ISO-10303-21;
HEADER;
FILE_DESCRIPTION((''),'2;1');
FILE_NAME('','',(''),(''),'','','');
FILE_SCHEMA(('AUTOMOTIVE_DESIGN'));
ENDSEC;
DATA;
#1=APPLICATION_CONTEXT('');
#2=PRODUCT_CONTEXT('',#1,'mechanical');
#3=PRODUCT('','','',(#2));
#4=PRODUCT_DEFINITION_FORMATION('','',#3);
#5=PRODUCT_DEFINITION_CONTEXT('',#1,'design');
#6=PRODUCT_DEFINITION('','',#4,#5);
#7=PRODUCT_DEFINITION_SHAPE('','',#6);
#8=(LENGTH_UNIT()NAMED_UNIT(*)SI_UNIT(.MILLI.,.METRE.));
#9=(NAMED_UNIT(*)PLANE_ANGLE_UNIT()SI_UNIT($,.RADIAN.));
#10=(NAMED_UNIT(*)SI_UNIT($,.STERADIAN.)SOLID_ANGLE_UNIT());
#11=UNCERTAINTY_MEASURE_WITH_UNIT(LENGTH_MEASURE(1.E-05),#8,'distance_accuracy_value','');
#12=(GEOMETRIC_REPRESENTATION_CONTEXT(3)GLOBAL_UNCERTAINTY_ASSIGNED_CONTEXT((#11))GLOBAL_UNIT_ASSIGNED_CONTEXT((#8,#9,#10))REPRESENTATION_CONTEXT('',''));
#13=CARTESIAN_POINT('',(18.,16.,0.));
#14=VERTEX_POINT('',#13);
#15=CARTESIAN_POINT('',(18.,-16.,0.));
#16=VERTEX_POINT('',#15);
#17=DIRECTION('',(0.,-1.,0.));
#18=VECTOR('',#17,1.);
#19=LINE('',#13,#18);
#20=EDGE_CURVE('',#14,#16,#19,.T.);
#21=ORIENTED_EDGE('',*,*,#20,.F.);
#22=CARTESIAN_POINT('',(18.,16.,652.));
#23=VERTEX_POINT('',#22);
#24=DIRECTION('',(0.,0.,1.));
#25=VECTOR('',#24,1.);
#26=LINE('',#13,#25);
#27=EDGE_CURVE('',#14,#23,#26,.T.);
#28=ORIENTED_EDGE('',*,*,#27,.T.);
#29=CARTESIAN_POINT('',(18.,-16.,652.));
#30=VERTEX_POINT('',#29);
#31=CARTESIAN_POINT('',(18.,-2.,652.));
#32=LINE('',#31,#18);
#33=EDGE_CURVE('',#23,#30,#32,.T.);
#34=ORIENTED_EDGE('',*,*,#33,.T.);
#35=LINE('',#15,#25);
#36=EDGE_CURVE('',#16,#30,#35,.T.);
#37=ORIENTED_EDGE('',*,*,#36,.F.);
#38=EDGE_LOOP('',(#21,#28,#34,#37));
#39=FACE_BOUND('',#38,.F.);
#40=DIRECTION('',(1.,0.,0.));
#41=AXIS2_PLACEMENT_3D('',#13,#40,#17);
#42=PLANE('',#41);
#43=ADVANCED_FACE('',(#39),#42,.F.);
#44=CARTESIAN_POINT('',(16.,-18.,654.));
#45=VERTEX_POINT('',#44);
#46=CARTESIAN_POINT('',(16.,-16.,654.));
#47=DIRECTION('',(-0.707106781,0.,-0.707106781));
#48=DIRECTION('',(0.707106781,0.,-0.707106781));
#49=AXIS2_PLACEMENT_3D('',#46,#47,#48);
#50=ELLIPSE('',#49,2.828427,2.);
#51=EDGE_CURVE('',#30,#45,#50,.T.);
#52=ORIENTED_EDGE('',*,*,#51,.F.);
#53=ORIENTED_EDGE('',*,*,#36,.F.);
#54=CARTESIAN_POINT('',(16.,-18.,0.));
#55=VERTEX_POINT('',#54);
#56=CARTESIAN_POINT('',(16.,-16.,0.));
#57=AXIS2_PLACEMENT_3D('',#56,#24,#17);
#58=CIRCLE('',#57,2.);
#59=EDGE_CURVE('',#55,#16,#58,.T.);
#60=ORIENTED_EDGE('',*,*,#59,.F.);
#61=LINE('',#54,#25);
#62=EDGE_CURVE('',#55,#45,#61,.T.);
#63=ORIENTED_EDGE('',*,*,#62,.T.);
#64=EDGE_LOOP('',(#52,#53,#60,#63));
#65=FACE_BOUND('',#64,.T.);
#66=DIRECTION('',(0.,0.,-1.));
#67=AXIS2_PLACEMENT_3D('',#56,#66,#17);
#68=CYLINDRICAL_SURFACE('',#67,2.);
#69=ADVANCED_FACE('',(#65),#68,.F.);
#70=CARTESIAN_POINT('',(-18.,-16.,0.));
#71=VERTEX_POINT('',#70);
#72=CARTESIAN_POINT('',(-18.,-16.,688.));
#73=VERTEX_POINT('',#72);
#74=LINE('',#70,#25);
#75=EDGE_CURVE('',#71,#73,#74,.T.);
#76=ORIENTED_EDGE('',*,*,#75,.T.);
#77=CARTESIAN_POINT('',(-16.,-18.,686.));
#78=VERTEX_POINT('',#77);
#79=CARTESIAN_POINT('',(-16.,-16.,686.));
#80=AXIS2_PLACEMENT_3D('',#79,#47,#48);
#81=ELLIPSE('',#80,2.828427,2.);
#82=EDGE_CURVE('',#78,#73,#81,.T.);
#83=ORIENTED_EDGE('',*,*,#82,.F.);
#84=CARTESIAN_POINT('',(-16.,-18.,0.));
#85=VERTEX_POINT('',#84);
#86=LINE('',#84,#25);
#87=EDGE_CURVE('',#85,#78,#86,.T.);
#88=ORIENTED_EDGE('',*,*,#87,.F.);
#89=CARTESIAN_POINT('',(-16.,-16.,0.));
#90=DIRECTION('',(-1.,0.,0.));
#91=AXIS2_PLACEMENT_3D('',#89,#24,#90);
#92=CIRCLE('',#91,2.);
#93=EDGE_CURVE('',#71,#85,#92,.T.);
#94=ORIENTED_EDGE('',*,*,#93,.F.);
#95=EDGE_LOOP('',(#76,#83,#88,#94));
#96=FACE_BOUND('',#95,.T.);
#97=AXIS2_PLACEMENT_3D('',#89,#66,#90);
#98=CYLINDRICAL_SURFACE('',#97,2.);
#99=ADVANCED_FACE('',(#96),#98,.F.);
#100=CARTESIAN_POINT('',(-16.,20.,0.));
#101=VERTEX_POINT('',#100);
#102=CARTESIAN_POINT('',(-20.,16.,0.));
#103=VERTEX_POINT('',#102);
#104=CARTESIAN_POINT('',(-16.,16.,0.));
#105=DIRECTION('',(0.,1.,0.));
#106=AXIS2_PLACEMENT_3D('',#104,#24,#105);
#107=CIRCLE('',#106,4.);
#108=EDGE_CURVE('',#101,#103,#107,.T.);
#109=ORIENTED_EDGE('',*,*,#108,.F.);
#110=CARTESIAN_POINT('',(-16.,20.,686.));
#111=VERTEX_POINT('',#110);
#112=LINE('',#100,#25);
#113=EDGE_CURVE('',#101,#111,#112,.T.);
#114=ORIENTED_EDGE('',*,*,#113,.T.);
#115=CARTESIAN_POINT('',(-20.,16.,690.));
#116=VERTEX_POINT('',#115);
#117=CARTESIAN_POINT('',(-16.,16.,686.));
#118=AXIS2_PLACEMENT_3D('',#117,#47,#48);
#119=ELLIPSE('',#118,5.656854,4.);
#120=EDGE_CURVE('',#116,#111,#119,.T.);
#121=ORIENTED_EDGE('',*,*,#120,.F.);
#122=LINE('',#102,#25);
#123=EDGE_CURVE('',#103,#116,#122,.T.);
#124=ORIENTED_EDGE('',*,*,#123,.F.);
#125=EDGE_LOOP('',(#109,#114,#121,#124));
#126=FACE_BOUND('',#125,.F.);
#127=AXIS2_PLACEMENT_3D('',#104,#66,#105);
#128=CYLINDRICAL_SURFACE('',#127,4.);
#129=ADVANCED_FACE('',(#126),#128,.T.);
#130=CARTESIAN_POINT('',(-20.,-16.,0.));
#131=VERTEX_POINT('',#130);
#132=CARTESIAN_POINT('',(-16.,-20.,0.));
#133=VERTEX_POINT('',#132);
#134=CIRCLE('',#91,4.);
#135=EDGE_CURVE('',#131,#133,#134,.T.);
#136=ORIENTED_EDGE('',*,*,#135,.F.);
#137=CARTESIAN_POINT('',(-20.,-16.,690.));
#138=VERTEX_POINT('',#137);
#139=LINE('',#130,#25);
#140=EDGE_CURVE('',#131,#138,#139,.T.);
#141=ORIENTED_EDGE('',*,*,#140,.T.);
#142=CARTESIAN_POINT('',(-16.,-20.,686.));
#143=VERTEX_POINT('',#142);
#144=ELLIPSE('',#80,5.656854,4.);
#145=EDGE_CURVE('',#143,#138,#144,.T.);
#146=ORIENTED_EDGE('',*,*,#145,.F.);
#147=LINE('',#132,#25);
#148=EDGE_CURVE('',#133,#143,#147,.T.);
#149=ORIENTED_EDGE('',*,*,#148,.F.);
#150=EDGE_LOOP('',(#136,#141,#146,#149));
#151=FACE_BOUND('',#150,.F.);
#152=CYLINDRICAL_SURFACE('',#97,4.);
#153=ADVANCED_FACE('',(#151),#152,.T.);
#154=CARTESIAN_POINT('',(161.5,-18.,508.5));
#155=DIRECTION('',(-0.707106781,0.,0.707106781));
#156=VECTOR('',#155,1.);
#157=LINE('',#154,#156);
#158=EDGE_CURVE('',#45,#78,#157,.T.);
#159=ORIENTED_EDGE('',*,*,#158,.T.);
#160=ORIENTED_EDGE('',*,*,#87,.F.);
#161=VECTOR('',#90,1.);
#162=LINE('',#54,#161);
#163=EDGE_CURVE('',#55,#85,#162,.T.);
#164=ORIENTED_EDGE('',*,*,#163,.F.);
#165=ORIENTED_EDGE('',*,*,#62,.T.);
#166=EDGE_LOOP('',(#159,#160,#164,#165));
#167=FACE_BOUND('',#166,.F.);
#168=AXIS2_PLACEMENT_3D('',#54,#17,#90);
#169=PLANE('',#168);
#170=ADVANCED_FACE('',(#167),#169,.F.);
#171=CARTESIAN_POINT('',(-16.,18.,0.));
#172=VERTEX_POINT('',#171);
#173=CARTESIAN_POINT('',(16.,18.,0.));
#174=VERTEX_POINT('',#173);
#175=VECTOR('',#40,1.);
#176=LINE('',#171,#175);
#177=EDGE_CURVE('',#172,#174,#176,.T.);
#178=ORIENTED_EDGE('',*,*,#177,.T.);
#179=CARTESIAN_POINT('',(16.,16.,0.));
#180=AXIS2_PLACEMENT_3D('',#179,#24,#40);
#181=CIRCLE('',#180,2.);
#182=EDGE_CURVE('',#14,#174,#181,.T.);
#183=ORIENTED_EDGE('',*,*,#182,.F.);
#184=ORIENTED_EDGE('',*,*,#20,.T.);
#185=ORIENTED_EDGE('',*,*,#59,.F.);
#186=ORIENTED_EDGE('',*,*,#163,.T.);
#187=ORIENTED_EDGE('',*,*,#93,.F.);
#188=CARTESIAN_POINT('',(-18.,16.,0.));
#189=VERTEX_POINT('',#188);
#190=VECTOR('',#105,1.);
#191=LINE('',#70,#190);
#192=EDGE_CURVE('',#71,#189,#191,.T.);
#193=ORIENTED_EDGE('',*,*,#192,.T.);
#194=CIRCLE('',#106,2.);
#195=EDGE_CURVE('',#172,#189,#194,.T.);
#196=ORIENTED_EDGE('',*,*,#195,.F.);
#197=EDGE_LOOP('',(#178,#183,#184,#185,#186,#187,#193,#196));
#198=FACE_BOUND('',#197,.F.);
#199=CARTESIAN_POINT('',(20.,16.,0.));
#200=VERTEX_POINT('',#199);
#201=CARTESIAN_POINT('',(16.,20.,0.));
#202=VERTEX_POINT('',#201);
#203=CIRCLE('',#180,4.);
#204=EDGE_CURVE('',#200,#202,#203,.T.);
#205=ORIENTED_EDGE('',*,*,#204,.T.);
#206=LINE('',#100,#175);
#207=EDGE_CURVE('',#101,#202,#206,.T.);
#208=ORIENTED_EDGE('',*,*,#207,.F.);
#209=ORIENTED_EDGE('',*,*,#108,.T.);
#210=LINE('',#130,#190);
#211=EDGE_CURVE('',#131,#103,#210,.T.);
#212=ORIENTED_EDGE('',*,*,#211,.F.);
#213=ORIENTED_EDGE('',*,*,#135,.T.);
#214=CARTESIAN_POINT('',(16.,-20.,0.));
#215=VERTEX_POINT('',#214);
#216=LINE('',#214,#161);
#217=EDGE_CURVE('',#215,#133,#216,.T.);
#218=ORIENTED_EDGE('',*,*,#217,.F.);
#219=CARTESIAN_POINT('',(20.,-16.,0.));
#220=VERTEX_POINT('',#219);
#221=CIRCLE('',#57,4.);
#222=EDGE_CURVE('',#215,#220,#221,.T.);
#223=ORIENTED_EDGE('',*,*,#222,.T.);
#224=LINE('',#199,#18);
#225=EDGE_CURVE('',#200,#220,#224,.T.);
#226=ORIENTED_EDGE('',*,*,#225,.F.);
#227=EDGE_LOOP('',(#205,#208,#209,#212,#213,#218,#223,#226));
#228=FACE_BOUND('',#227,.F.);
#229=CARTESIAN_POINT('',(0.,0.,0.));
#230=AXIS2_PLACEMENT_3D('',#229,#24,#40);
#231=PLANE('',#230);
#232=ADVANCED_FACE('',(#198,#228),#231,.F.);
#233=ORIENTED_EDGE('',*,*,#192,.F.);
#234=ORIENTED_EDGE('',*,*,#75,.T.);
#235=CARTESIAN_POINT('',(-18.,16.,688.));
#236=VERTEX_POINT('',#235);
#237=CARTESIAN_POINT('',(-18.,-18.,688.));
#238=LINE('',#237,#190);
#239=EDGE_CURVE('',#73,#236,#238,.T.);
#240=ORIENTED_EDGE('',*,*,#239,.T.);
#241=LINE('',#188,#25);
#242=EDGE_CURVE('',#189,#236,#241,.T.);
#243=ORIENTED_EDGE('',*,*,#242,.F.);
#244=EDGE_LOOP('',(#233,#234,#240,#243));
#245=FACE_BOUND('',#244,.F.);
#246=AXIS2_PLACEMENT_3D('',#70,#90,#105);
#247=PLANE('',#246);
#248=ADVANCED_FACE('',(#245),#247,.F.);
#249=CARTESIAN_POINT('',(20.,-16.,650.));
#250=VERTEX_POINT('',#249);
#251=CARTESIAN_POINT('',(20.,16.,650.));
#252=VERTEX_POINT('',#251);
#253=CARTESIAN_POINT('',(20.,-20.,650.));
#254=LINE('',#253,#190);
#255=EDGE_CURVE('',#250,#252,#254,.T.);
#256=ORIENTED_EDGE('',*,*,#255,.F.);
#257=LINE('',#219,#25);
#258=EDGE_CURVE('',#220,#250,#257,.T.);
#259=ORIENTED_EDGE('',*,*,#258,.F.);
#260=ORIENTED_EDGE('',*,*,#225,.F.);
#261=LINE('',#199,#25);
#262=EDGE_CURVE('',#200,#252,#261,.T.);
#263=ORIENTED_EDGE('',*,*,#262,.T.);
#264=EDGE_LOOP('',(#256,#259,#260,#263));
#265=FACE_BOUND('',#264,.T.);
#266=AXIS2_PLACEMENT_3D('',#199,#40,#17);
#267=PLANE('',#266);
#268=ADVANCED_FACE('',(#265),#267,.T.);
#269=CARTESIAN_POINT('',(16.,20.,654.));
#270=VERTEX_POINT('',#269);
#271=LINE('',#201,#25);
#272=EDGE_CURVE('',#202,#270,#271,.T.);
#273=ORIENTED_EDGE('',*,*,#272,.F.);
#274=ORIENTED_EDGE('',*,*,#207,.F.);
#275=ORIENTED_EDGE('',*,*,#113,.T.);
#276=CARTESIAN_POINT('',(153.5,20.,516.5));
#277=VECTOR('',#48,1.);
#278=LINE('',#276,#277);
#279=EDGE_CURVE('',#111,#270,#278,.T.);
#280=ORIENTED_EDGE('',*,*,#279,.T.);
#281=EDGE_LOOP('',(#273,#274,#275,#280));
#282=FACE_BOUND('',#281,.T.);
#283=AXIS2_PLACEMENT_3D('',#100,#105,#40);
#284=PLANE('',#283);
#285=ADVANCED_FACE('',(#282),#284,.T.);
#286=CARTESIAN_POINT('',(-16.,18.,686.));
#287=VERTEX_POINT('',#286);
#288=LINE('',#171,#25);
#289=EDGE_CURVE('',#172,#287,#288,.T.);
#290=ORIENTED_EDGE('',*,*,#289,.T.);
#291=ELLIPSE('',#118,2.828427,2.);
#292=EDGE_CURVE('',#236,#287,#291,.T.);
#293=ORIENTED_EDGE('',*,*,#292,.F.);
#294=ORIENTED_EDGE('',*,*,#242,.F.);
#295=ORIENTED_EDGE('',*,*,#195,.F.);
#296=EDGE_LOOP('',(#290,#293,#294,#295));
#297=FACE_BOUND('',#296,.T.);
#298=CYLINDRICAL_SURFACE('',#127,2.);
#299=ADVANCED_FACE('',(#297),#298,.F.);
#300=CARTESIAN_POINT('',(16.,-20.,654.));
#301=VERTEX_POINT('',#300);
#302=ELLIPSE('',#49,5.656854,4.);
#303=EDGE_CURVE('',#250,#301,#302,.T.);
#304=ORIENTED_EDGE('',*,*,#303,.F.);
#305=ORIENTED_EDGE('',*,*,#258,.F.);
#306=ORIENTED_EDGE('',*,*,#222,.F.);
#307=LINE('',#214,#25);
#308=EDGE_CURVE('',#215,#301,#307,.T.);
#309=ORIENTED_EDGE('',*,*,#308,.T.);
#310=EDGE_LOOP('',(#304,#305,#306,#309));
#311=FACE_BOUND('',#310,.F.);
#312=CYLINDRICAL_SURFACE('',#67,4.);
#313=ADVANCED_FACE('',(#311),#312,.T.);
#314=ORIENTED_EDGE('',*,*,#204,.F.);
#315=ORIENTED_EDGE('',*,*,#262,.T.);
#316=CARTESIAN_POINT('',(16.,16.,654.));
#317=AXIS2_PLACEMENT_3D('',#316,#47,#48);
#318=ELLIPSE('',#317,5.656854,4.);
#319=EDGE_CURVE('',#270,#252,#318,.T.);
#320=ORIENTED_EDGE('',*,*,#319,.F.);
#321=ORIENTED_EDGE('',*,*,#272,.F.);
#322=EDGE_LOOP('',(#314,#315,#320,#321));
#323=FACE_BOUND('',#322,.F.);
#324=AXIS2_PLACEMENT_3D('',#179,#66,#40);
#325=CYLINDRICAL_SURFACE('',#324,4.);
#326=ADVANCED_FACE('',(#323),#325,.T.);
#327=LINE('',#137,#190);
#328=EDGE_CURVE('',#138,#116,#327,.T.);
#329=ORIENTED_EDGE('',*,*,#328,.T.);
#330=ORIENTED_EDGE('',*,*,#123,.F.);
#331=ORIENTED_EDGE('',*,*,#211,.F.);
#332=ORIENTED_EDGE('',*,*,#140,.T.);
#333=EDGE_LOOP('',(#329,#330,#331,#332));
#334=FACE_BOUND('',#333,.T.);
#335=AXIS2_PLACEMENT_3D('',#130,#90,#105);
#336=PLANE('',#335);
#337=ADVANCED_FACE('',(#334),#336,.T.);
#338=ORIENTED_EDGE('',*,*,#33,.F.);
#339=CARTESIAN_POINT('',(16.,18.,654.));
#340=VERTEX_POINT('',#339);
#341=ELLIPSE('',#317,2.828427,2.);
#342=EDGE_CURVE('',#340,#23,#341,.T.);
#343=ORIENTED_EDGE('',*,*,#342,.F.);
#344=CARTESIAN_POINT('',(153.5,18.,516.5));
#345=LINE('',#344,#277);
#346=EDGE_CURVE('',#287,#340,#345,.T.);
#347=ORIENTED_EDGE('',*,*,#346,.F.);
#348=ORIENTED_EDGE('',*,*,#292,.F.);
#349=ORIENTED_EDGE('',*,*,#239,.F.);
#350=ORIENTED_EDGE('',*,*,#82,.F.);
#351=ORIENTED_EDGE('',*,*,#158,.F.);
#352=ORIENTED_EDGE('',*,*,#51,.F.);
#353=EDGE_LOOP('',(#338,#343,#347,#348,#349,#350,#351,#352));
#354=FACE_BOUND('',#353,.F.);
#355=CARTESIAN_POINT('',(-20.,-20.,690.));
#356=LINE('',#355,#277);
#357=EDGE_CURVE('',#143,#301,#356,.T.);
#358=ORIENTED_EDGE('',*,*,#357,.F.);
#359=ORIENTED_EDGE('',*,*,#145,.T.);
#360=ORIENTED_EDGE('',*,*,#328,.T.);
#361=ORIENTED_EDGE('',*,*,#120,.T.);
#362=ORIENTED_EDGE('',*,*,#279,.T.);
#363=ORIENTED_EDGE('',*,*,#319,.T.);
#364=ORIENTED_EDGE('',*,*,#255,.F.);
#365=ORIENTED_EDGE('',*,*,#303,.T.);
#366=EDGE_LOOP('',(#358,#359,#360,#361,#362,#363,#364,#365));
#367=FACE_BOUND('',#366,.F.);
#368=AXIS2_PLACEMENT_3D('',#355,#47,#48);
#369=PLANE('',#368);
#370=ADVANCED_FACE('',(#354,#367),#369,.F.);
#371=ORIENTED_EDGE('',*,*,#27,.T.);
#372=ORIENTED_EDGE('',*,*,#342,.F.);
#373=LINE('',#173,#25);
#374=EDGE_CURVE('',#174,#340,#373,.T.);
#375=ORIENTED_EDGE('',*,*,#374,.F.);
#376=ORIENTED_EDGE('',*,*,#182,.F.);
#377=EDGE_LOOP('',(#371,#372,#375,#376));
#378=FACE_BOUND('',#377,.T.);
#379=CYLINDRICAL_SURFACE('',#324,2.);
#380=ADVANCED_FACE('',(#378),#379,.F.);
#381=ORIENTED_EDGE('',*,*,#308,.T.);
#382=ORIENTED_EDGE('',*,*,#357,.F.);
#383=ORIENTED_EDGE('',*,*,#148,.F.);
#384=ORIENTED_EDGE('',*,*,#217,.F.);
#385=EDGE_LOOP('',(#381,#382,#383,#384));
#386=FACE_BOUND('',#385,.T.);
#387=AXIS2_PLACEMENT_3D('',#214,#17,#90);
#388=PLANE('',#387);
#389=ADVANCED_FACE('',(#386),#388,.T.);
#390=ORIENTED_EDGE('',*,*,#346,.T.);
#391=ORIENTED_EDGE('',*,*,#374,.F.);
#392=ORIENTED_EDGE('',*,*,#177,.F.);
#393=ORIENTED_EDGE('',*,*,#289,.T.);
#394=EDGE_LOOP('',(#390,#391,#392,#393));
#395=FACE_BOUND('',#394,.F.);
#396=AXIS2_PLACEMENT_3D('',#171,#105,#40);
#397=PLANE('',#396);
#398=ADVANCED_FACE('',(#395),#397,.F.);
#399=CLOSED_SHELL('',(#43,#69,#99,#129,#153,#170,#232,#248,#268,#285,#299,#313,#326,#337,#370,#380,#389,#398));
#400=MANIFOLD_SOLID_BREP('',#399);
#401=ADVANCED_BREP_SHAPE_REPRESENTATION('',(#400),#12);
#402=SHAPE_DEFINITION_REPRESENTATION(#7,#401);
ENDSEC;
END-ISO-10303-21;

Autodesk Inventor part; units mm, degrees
ref_plane "YZ Plane" through (0, 0, 0) normal (1, 0, 0) x (0, 1, 0)
ref_plane "Piano iniziale" through (0, 0, 0) normal (0, 0, 1) x (1, 0, 0)
ref_plane "Piano finale" through (0, 0, 690) normal (0, 0, 1) x (1, 0, 0)
sketch "Schizzo" plane through (0, 0, 0) normal (0, 0, 1) x (1, 0, 0)
  line L0 (-20, -16) -> (-20, 16)
  line L1 (-16, 20) -> (16, 20)
  line L2 (20, 16) -> (20, -16)
  line L3 (16, -20) -> (-16, -20)
  arc A0 (-20, -16) -> (-16, -20) centre (-16, -16) ccw
  arc A1 (20, 16) -> (16, 20) centre (16, 16) ccw
  arc A2 (-16, 20) -> (-20, 16) centre (-16, 16) ccw
  arc A3 (16, -20) -> (20, -16) centre (16, -16) ccw
  arc A4 (-16, 18) -> (-18, 16) centre (-16, 16) ccw
  line L4 (-16, 18) -> (16, 18)
  arc A5 (18, 16) -> (16, 18) centre (16, 16) ccw
  line L5 (18, 16) -> (18, -16)
  arc A6 (16, -18) -> (18, -16) centre (16, -16) ccw
  line L6 (16, -18) -> (-16, -18)
  arc A7 (-18, -16) -> (-16, -18) centre (-16, -16) ccw
  line L7 (-18, -16) -> (-18, 16)
  line L8 (0, 29.1598) -> (0, -29.1598) construction
  line L9 (-29.1598, 0) -> (29.1598, 0) construction
  dimension "d7" = 4
  dimension "d9" = 40
  dimension "d11" = 40
  dimension "d12" = 2
  dimension "d15" = 20
  dimension "d16" = 20
extrude "Corpo" add sketch "Schizzo" along normal up to surface (690 mm away) from surface at 0
sketch "Sketch3" plane through (0, 0, 0) normal (0, 0, 1) x (1, 0, 0)
  line L0 (0, 0) -> (10, 0)
ref_plane "Work Plane3" through (0, 0, 0) normal (0, -1, 0) x (1, 0, 0)
sketch "Sketch4" plane through (0, 0, 0) normal (0, -1, 0) x (1, 0, 0)
  line L0 (-2, 0) -> (12, 0)
  line L1 (-2, 690) -> (12, 690)
  dimension "d18" = 690
sketch "Schizzo5" plane through (-16, -20, 0) normal (0, -1, 0) x (1, 0, 0)
  line L0 (-4, 0) -> (-4, 690) projected
  line L1 (-4, 690) -> (0, 690) projected
  line L2 (-4, 690) -> (40.4052, 645.5948)
  line L3 (-4, 690) -> (58.7984, 690) construction
  line L4 (40.4052, 645.5948) -> (40.4052, 702.363)
  line L5 (36, 0) -> (36, 690) projected
  line L6 (40.4052, 702.363) -> (-4, 690)
  point P0 (16, 0)
  dimension "d19" = 45
extrude "Estrusione2" cut sketch "Schizzo5" against normal up to next
equation "\"d7\" = G_IR"
equation "\"d9\" = G_W"
equation "\"d11\" = G_H"
equation "\"d12\" = G_T"
equation "\"d15\" = 0.5 * d9"
equation "\"d16\" = 0.5 * d11"
equation "\"d3\" = G_L"
equation "\"G_W\" = 40"
equation "\"G_H\" = 40"
equation "\"G_T\" = 2"
equation "\"G_IR\" = 4"
equation "\"G_L\" = d18"
equation "\"G_OFFSET_START\" = 0"
equation "\"G_OFFSET_END\" = 0"
properties part number "ISO 10799-2 - 40x40x2 - 690" material "Acciaio, Dolce"
